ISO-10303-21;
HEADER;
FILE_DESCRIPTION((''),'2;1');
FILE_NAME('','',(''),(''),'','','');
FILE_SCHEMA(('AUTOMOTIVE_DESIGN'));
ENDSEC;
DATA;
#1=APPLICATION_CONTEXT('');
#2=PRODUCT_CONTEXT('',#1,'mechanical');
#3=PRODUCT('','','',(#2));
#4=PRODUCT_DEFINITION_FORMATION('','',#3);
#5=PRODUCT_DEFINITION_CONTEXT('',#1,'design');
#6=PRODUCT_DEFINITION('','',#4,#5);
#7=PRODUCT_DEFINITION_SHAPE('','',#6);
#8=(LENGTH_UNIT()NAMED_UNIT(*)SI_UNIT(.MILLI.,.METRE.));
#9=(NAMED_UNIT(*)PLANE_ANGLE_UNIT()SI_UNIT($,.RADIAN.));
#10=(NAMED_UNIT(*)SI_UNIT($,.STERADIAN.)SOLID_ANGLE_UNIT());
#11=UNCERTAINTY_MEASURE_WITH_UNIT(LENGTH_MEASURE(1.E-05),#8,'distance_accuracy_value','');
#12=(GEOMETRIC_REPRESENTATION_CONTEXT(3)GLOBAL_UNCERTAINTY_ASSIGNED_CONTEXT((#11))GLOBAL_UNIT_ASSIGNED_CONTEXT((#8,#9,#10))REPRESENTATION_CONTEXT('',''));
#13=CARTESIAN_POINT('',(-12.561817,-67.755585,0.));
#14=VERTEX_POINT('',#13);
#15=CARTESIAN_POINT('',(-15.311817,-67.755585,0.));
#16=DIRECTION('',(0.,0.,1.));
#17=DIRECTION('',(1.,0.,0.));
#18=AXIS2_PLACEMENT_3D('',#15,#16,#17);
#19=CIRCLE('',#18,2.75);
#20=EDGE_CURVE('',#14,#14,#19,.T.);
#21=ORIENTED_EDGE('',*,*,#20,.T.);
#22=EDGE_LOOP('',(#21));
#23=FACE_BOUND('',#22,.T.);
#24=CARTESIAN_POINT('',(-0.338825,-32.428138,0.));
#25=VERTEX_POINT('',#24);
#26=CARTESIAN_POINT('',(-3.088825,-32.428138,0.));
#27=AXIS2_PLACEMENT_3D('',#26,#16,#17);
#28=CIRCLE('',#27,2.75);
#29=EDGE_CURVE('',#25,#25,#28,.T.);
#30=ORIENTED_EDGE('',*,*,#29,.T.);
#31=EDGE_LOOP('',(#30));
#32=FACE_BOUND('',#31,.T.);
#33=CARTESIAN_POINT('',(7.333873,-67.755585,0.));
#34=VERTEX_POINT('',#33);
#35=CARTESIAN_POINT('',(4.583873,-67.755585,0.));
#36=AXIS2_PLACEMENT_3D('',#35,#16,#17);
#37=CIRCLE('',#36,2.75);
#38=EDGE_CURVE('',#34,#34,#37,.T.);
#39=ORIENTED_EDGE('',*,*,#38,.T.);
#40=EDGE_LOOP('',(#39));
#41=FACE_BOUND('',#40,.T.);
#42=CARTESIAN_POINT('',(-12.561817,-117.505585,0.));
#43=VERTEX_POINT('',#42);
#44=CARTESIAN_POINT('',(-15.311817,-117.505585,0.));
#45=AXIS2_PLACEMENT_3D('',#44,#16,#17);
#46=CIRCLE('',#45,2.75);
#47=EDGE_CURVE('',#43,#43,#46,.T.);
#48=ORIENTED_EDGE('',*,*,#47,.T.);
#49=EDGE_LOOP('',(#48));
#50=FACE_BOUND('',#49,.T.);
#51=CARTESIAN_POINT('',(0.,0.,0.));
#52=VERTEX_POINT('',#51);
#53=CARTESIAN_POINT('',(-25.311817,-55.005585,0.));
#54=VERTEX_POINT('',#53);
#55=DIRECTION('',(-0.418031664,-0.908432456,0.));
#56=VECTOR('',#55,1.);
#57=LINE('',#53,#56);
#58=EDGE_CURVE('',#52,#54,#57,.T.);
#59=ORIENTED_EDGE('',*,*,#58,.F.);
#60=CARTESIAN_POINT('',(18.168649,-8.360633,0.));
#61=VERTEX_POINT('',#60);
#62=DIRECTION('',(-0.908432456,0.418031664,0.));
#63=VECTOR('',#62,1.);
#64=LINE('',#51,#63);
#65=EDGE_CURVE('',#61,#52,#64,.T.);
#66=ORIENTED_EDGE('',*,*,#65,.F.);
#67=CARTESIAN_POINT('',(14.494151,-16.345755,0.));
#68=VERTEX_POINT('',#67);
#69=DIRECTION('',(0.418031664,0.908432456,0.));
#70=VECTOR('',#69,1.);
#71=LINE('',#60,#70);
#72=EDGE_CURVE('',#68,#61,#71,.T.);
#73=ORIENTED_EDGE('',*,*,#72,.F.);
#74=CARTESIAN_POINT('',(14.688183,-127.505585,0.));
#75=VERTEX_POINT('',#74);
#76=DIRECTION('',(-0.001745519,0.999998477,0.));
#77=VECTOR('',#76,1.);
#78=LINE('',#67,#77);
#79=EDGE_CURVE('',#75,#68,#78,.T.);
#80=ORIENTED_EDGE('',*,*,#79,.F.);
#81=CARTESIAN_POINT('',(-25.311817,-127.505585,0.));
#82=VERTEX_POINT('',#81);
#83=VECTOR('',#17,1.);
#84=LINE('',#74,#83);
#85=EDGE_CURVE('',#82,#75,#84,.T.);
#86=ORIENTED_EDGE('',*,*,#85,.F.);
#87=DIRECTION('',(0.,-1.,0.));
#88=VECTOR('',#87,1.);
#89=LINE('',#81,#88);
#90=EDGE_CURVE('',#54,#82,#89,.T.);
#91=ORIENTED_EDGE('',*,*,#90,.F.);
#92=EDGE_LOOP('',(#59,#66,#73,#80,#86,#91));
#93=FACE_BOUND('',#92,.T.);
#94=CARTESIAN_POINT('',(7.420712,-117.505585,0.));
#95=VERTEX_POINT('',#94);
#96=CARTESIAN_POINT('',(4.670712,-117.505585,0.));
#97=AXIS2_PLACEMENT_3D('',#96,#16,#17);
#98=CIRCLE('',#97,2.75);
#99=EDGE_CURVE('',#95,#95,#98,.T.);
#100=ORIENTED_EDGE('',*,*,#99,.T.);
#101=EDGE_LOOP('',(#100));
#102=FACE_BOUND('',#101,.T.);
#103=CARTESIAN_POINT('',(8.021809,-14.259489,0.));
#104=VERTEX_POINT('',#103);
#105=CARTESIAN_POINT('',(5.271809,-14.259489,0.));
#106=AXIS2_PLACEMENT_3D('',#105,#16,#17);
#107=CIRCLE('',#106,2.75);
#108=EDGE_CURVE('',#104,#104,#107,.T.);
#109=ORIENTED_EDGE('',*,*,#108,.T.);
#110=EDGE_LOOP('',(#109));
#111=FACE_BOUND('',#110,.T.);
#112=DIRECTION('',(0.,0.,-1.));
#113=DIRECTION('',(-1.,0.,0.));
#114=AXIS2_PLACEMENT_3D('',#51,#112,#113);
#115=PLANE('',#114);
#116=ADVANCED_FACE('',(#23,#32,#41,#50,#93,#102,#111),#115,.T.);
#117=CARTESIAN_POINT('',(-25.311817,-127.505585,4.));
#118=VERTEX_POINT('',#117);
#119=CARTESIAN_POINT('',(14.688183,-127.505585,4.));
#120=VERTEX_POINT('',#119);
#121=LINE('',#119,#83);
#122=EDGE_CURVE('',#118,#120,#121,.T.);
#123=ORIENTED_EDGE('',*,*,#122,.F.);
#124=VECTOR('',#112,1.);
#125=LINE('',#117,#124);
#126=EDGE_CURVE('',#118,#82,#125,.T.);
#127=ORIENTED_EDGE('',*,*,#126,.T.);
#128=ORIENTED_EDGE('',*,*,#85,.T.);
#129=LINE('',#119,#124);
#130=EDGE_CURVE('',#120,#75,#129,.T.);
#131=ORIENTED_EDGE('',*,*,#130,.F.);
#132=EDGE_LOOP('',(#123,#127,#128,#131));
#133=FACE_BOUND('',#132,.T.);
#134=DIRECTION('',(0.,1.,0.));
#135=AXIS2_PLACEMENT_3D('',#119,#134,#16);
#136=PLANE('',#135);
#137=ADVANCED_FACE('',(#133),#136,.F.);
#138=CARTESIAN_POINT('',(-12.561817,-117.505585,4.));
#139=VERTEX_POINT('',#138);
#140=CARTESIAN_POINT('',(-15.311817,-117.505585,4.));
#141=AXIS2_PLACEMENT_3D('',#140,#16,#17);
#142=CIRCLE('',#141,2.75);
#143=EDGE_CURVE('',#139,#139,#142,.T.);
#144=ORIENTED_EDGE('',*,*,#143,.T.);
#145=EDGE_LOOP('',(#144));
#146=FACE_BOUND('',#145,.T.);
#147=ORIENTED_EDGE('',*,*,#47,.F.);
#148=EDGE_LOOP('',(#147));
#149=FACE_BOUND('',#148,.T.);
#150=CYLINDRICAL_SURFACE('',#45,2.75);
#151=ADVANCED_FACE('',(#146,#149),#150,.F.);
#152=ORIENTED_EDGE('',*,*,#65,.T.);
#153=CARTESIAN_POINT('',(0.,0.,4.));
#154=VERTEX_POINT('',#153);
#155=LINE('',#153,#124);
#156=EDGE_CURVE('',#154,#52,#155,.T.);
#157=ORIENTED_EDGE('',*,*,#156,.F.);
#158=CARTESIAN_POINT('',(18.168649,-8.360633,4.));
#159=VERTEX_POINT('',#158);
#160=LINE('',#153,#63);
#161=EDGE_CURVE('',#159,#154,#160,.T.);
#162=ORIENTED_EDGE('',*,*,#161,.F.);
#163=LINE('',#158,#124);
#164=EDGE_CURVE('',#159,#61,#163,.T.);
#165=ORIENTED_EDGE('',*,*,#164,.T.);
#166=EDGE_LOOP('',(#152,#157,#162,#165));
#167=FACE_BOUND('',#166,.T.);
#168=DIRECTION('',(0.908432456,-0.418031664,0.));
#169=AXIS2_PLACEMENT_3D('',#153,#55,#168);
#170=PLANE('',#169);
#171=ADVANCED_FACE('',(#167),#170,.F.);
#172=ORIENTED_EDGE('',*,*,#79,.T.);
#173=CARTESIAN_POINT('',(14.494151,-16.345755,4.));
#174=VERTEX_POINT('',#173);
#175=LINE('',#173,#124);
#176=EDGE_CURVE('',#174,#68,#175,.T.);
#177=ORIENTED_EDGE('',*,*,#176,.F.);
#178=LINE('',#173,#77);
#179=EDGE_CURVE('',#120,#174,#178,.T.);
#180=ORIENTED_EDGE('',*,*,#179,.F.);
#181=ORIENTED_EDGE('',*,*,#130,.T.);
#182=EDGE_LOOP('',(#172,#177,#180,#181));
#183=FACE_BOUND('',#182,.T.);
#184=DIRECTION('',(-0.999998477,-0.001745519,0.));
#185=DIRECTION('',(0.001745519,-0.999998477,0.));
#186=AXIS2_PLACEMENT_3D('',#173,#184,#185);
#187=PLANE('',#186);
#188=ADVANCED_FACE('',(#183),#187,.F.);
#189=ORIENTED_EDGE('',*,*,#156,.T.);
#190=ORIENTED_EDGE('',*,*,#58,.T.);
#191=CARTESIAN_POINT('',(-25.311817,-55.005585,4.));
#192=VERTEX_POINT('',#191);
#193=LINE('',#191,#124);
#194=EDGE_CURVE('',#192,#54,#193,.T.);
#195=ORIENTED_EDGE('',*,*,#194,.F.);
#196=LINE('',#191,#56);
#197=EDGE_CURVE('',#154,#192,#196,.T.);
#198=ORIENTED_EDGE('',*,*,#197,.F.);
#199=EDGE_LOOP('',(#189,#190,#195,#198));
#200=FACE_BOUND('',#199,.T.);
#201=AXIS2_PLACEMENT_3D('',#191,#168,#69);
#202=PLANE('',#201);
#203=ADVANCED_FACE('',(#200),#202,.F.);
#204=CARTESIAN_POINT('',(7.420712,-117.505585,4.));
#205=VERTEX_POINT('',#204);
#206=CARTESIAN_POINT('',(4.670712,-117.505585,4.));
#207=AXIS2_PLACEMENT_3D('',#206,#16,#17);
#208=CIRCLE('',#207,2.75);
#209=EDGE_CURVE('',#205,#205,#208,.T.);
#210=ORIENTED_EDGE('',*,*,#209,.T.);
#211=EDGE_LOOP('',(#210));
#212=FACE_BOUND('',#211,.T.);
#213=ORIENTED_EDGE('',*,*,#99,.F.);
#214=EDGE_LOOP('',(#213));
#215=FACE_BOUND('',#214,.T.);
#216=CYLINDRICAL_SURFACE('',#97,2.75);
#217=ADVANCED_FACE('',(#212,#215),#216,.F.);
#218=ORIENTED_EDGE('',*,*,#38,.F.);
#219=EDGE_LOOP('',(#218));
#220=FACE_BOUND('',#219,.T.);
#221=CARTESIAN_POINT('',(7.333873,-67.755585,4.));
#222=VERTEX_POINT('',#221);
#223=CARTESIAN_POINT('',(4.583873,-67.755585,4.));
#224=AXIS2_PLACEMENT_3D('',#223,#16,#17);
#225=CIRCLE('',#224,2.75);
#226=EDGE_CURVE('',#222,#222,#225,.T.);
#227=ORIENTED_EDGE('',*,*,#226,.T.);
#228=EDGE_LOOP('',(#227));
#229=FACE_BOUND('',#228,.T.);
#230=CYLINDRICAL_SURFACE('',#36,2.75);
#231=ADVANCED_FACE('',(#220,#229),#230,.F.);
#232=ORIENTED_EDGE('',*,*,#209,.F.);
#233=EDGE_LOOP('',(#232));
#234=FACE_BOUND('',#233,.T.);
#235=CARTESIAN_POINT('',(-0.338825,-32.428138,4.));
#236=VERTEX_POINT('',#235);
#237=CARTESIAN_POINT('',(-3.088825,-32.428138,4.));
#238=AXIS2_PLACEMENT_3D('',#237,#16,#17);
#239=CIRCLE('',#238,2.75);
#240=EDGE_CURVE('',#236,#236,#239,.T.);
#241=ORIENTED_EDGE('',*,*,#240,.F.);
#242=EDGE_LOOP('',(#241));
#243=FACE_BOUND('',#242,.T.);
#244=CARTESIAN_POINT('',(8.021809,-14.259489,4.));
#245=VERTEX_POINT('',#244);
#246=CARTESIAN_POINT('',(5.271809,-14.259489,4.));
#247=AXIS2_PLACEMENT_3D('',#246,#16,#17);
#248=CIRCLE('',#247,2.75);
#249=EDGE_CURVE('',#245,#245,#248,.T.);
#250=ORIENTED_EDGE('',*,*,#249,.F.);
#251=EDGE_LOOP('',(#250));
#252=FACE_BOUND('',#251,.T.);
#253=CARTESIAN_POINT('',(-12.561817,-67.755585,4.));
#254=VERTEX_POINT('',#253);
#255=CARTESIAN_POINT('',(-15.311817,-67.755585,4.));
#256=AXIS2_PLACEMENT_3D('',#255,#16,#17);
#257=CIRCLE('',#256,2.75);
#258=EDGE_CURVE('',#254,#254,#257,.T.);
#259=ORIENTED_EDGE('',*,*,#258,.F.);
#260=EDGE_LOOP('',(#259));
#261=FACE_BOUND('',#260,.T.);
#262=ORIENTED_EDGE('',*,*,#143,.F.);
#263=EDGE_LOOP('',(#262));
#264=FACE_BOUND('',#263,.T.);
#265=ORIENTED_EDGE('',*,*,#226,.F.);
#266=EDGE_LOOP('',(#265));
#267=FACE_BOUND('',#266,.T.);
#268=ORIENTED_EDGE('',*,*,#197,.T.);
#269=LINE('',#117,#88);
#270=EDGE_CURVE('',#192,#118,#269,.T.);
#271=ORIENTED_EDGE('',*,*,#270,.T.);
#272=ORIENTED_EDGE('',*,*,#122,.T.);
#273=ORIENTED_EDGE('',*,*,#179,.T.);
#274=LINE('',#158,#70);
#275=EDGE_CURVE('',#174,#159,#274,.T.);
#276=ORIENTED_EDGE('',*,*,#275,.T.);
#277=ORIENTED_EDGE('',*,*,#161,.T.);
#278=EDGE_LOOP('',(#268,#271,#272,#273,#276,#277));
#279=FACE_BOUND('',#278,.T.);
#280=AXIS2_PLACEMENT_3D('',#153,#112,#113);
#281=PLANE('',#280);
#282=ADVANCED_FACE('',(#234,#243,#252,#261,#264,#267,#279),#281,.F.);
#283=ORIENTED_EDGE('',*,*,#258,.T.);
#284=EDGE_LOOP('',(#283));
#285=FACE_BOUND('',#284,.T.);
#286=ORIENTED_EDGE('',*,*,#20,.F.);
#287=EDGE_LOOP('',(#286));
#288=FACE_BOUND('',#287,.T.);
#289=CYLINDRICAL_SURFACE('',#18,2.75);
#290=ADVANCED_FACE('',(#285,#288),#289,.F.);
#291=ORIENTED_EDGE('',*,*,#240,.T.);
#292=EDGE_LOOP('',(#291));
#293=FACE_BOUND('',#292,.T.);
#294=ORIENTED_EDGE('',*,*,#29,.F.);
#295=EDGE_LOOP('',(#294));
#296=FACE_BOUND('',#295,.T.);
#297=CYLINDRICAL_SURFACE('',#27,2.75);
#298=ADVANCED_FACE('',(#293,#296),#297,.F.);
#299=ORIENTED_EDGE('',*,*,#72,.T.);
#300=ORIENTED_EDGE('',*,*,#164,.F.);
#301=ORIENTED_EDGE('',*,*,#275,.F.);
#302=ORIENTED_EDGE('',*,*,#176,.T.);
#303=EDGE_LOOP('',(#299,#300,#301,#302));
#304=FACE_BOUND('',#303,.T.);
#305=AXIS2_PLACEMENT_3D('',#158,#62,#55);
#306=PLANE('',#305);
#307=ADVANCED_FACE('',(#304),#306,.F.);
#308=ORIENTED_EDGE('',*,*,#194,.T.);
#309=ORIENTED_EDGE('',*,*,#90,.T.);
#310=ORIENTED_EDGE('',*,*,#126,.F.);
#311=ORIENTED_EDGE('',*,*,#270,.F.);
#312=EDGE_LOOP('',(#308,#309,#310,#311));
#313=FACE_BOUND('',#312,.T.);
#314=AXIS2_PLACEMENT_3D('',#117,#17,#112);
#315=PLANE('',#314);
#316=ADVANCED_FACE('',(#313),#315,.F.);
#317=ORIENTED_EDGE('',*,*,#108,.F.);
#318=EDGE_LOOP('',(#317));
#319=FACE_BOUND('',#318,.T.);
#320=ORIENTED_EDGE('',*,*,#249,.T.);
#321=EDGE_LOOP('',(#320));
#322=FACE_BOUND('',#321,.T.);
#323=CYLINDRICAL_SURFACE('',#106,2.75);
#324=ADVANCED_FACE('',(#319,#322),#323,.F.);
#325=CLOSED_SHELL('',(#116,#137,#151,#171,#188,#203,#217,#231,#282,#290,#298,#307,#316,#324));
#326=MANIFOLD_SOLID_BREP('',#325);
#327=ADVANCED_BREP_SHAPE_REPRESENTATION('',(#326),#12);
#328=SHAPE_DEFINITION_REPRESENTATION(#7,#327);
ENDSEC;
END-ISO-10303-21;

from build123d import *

# Parameters (mm, degrees)
BOSS_EXTRUDE1_DEPTH = 4
SKETCH2_R           = 2.75
CUT_EXTRUDE1_DEPTH  = 4
SKETCH3_R           = 2.75
CUT_EXTRUDE2_DEPTH  = 4


with BuildPart() as part:
    # Sketch1 → Boss-Extrude1 (new body)
    with BuildSketch(Plane.XY):
        Polygon((0, 0), (18.168649127, -8.360633284), (14.494150799, -16.345754575), (14.688182734, -127.505585232), (-25.311817266, -127.505585232), (-25.311817266, -55.005585232), align=None)
    extrude(amount=BOSS_EXTRUDE1_DEPTH)

    # Sketch2 → Cut-Extrude1 (cut)
    with BuildSketch(Plane.XY.offset(4)):
        with Locations((-15.311817266, -117.505585232)):
            Circle(SKETCH2_R)
        with Locations((4.670712279, -117.505585232)):
            Circle(SKETCH2_R)
        with Locations((-15.311817266, -67.755585232)):
            Circle(SKETCH2_R)
        with Locations((4.583872557, -67.755585232)):
            Circle(SKETCH2_R)
    extrude(amount=-CUT_EXTRUDE1_DEPTH, mode=Mode.SUBTRACT)

    # Sketch3 → Cut-Extrude2 (cut)
    with BuildSketch(Plane.XY.offset(4)):
        with Locations((5.271808516, -14.259489296)):
            Circle(SKETCH3_R)
        with Locations((-3.088824768, -32.428138423)):
            Circle(SKETCH3_R)
    extrude(amount=-CUT_EXTRUDE2_DEPTH, mode=Mode.SUBTRACT)


solid = part.part
